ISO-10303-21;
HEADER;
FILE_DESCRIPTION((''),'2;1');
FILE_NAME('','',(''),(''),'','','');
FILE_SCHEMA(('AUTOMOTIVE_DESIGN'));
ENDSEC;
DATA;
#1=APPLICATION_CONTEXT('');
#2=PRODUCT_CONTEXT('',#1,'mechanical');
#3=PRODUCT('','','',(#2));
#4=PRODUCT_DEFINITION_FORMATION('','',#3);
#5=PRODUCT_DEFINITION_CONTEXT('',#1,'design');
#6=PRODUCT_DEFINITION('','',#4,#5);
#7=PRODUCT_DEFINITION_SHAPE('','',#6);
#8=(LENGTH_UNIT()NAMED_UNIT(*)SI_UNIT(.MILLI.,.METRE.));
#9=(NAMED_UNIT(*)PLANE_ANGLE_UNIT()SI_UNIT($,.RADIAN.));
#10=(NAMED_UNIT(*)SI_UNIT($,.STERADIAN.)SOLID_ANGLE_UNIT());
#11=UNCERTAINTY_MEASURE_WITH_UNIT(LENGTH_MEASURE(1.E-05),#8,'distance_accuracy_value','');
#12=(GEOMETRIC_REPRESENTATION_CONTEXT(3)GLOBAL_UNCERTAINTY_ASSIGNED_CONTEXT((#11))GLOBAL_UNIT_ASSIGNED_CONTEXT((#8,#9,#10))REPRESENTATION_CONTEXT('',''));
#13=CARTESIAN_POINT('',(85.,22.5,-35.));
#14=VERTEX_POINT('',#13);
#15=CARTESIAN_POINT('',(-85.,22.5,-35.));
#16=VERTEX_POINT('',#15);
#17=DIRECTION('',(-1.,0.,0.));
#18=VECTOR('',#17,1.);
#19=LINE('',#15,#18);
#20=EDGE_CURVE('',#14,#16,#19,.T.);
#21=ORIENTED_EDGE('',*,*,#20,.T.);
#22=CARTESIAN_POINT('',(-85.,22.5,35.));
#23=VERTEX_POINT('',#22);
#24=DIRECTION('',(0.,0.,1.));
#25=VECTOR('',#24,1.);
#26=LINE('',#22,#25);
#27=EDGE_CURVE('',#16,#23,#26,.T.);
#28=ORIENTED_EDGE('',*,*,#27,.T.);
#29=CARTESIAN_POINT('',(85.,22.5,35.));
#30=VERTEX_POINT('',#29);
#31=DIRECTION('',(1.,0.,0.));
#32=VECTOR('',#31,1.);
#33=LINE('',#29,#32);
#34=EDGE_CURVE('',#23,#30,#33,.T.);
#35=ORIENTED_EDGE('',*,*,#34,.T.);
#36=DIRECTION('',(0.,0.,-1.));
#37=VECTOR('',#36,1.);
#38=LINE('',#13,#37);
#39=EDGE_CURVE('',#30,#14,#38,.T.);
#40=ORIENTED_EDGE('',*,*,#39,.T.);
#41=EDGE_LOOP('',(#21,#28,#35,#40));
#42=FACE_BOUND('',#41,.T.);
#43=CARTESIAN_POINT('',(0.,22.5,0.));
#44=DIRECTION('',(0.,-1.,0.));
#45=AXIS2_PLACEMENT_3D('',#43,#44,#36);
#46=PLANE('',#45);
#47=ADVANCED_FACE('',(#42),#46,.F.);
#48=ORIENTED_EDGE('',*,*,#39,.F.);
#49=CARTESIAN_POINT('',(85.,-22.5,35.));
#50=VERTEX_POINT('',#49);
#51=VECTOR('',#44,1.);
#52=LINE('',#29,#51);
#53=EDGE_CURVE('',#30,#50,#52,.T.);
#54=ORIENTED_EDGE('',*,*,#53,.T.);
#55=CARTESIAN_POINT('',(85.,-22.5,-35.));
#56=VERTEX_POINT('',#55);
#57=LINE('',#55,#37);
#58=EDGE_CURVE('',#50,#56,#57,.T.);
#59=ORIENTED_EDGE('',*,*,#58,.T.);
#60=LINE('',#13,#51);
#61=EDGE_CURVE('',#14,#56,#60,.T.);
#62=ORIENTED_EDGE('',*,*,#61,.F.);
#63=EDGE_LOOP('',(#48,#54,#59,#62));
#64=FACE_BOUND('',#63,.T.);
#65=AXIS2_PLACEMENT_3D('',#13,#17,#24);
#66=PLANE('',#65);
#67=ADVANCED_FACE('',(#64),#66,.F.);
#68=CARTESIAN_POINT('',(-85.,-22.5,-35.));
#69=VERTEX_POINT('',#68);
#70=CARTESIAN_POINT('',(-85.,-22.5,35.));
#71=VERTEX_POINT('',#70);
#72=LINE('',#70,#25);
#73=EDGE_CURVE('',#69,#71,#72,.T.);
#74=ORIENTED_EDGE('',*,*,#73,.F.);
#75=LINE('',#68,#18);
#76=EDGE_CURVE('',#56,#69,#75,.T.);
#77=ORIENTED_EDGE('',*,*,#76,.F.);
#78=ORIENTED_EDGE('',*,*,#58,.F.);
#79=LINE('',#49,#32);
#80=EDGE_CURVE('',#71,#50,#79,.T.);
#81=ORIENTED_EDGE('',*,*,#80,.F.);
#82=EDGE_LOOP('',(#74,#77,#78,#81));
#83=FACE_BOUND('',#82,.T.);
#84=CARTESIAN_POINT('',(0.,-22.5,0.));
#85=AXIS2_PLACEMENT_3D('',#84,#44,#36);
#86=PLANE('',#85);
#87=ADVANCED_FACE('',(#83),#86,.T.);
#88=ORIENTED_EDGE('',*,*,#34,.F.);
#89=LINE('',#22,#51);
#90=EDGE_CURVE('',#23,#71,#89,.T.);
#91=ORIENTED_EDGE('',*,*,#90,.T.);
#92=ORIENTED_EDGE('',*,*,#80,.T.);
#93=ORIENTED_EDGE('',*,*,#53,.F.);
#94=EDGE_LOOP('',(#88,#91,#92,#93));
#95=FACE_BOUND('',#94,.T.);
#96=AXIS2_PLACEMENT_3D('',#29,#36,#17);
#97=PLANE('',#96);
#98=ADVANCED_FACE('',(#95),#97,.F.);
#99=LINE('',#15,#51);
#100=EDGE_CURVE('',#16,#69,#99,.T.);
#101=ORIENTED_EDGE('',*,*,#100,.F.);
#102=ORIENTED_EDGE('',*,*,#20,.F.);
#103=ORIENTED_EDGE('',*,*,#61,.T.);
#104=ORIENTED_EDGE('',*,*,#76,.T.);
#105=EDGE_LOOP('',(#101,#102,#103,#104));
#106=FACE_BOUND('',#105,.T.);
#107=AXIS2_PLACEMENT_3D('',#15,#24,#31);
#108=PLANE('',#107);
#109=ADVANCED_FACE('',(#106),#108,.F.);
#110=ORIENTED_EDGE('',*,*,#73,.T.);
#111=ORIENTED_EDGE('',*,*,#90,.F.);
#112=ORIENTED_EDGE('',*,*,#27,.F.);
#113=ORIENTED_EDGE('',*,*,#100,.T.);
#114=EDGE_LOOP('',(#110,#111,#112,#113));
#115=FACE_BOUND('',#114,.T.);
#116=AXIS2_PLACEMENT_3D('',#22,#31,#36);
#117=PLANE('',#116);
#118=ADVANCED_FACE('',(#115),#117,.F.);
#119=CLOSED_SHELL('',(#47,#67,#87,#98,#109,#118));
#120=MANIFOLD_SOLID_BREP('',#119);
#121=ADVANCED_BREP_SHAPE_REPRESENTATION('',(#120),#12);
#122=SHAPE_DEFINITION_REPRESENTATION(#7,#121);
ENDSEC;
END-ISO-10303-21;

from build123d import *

# Parameters (mm, degrees)
SKETCH_1_W        = 170
SKETCH_1_H        = 70
EXTRUDE_337_DEPTH = 22.5


with BuildPart() as part:
    # ｽｹｯﾁ1 → Extrude 337 (new, symmetric)
    with BuildSketch(Plane(origin=(0, 0, 0), x_dir=(1, 0, 0), z_dir=(0, 1, 0))):
        Rectangle(SKETCH_1_W, SKETCH_1_H)
    extrude(amount=EXTRUDE_337_DEPTH, both=True)


solid = part.part
